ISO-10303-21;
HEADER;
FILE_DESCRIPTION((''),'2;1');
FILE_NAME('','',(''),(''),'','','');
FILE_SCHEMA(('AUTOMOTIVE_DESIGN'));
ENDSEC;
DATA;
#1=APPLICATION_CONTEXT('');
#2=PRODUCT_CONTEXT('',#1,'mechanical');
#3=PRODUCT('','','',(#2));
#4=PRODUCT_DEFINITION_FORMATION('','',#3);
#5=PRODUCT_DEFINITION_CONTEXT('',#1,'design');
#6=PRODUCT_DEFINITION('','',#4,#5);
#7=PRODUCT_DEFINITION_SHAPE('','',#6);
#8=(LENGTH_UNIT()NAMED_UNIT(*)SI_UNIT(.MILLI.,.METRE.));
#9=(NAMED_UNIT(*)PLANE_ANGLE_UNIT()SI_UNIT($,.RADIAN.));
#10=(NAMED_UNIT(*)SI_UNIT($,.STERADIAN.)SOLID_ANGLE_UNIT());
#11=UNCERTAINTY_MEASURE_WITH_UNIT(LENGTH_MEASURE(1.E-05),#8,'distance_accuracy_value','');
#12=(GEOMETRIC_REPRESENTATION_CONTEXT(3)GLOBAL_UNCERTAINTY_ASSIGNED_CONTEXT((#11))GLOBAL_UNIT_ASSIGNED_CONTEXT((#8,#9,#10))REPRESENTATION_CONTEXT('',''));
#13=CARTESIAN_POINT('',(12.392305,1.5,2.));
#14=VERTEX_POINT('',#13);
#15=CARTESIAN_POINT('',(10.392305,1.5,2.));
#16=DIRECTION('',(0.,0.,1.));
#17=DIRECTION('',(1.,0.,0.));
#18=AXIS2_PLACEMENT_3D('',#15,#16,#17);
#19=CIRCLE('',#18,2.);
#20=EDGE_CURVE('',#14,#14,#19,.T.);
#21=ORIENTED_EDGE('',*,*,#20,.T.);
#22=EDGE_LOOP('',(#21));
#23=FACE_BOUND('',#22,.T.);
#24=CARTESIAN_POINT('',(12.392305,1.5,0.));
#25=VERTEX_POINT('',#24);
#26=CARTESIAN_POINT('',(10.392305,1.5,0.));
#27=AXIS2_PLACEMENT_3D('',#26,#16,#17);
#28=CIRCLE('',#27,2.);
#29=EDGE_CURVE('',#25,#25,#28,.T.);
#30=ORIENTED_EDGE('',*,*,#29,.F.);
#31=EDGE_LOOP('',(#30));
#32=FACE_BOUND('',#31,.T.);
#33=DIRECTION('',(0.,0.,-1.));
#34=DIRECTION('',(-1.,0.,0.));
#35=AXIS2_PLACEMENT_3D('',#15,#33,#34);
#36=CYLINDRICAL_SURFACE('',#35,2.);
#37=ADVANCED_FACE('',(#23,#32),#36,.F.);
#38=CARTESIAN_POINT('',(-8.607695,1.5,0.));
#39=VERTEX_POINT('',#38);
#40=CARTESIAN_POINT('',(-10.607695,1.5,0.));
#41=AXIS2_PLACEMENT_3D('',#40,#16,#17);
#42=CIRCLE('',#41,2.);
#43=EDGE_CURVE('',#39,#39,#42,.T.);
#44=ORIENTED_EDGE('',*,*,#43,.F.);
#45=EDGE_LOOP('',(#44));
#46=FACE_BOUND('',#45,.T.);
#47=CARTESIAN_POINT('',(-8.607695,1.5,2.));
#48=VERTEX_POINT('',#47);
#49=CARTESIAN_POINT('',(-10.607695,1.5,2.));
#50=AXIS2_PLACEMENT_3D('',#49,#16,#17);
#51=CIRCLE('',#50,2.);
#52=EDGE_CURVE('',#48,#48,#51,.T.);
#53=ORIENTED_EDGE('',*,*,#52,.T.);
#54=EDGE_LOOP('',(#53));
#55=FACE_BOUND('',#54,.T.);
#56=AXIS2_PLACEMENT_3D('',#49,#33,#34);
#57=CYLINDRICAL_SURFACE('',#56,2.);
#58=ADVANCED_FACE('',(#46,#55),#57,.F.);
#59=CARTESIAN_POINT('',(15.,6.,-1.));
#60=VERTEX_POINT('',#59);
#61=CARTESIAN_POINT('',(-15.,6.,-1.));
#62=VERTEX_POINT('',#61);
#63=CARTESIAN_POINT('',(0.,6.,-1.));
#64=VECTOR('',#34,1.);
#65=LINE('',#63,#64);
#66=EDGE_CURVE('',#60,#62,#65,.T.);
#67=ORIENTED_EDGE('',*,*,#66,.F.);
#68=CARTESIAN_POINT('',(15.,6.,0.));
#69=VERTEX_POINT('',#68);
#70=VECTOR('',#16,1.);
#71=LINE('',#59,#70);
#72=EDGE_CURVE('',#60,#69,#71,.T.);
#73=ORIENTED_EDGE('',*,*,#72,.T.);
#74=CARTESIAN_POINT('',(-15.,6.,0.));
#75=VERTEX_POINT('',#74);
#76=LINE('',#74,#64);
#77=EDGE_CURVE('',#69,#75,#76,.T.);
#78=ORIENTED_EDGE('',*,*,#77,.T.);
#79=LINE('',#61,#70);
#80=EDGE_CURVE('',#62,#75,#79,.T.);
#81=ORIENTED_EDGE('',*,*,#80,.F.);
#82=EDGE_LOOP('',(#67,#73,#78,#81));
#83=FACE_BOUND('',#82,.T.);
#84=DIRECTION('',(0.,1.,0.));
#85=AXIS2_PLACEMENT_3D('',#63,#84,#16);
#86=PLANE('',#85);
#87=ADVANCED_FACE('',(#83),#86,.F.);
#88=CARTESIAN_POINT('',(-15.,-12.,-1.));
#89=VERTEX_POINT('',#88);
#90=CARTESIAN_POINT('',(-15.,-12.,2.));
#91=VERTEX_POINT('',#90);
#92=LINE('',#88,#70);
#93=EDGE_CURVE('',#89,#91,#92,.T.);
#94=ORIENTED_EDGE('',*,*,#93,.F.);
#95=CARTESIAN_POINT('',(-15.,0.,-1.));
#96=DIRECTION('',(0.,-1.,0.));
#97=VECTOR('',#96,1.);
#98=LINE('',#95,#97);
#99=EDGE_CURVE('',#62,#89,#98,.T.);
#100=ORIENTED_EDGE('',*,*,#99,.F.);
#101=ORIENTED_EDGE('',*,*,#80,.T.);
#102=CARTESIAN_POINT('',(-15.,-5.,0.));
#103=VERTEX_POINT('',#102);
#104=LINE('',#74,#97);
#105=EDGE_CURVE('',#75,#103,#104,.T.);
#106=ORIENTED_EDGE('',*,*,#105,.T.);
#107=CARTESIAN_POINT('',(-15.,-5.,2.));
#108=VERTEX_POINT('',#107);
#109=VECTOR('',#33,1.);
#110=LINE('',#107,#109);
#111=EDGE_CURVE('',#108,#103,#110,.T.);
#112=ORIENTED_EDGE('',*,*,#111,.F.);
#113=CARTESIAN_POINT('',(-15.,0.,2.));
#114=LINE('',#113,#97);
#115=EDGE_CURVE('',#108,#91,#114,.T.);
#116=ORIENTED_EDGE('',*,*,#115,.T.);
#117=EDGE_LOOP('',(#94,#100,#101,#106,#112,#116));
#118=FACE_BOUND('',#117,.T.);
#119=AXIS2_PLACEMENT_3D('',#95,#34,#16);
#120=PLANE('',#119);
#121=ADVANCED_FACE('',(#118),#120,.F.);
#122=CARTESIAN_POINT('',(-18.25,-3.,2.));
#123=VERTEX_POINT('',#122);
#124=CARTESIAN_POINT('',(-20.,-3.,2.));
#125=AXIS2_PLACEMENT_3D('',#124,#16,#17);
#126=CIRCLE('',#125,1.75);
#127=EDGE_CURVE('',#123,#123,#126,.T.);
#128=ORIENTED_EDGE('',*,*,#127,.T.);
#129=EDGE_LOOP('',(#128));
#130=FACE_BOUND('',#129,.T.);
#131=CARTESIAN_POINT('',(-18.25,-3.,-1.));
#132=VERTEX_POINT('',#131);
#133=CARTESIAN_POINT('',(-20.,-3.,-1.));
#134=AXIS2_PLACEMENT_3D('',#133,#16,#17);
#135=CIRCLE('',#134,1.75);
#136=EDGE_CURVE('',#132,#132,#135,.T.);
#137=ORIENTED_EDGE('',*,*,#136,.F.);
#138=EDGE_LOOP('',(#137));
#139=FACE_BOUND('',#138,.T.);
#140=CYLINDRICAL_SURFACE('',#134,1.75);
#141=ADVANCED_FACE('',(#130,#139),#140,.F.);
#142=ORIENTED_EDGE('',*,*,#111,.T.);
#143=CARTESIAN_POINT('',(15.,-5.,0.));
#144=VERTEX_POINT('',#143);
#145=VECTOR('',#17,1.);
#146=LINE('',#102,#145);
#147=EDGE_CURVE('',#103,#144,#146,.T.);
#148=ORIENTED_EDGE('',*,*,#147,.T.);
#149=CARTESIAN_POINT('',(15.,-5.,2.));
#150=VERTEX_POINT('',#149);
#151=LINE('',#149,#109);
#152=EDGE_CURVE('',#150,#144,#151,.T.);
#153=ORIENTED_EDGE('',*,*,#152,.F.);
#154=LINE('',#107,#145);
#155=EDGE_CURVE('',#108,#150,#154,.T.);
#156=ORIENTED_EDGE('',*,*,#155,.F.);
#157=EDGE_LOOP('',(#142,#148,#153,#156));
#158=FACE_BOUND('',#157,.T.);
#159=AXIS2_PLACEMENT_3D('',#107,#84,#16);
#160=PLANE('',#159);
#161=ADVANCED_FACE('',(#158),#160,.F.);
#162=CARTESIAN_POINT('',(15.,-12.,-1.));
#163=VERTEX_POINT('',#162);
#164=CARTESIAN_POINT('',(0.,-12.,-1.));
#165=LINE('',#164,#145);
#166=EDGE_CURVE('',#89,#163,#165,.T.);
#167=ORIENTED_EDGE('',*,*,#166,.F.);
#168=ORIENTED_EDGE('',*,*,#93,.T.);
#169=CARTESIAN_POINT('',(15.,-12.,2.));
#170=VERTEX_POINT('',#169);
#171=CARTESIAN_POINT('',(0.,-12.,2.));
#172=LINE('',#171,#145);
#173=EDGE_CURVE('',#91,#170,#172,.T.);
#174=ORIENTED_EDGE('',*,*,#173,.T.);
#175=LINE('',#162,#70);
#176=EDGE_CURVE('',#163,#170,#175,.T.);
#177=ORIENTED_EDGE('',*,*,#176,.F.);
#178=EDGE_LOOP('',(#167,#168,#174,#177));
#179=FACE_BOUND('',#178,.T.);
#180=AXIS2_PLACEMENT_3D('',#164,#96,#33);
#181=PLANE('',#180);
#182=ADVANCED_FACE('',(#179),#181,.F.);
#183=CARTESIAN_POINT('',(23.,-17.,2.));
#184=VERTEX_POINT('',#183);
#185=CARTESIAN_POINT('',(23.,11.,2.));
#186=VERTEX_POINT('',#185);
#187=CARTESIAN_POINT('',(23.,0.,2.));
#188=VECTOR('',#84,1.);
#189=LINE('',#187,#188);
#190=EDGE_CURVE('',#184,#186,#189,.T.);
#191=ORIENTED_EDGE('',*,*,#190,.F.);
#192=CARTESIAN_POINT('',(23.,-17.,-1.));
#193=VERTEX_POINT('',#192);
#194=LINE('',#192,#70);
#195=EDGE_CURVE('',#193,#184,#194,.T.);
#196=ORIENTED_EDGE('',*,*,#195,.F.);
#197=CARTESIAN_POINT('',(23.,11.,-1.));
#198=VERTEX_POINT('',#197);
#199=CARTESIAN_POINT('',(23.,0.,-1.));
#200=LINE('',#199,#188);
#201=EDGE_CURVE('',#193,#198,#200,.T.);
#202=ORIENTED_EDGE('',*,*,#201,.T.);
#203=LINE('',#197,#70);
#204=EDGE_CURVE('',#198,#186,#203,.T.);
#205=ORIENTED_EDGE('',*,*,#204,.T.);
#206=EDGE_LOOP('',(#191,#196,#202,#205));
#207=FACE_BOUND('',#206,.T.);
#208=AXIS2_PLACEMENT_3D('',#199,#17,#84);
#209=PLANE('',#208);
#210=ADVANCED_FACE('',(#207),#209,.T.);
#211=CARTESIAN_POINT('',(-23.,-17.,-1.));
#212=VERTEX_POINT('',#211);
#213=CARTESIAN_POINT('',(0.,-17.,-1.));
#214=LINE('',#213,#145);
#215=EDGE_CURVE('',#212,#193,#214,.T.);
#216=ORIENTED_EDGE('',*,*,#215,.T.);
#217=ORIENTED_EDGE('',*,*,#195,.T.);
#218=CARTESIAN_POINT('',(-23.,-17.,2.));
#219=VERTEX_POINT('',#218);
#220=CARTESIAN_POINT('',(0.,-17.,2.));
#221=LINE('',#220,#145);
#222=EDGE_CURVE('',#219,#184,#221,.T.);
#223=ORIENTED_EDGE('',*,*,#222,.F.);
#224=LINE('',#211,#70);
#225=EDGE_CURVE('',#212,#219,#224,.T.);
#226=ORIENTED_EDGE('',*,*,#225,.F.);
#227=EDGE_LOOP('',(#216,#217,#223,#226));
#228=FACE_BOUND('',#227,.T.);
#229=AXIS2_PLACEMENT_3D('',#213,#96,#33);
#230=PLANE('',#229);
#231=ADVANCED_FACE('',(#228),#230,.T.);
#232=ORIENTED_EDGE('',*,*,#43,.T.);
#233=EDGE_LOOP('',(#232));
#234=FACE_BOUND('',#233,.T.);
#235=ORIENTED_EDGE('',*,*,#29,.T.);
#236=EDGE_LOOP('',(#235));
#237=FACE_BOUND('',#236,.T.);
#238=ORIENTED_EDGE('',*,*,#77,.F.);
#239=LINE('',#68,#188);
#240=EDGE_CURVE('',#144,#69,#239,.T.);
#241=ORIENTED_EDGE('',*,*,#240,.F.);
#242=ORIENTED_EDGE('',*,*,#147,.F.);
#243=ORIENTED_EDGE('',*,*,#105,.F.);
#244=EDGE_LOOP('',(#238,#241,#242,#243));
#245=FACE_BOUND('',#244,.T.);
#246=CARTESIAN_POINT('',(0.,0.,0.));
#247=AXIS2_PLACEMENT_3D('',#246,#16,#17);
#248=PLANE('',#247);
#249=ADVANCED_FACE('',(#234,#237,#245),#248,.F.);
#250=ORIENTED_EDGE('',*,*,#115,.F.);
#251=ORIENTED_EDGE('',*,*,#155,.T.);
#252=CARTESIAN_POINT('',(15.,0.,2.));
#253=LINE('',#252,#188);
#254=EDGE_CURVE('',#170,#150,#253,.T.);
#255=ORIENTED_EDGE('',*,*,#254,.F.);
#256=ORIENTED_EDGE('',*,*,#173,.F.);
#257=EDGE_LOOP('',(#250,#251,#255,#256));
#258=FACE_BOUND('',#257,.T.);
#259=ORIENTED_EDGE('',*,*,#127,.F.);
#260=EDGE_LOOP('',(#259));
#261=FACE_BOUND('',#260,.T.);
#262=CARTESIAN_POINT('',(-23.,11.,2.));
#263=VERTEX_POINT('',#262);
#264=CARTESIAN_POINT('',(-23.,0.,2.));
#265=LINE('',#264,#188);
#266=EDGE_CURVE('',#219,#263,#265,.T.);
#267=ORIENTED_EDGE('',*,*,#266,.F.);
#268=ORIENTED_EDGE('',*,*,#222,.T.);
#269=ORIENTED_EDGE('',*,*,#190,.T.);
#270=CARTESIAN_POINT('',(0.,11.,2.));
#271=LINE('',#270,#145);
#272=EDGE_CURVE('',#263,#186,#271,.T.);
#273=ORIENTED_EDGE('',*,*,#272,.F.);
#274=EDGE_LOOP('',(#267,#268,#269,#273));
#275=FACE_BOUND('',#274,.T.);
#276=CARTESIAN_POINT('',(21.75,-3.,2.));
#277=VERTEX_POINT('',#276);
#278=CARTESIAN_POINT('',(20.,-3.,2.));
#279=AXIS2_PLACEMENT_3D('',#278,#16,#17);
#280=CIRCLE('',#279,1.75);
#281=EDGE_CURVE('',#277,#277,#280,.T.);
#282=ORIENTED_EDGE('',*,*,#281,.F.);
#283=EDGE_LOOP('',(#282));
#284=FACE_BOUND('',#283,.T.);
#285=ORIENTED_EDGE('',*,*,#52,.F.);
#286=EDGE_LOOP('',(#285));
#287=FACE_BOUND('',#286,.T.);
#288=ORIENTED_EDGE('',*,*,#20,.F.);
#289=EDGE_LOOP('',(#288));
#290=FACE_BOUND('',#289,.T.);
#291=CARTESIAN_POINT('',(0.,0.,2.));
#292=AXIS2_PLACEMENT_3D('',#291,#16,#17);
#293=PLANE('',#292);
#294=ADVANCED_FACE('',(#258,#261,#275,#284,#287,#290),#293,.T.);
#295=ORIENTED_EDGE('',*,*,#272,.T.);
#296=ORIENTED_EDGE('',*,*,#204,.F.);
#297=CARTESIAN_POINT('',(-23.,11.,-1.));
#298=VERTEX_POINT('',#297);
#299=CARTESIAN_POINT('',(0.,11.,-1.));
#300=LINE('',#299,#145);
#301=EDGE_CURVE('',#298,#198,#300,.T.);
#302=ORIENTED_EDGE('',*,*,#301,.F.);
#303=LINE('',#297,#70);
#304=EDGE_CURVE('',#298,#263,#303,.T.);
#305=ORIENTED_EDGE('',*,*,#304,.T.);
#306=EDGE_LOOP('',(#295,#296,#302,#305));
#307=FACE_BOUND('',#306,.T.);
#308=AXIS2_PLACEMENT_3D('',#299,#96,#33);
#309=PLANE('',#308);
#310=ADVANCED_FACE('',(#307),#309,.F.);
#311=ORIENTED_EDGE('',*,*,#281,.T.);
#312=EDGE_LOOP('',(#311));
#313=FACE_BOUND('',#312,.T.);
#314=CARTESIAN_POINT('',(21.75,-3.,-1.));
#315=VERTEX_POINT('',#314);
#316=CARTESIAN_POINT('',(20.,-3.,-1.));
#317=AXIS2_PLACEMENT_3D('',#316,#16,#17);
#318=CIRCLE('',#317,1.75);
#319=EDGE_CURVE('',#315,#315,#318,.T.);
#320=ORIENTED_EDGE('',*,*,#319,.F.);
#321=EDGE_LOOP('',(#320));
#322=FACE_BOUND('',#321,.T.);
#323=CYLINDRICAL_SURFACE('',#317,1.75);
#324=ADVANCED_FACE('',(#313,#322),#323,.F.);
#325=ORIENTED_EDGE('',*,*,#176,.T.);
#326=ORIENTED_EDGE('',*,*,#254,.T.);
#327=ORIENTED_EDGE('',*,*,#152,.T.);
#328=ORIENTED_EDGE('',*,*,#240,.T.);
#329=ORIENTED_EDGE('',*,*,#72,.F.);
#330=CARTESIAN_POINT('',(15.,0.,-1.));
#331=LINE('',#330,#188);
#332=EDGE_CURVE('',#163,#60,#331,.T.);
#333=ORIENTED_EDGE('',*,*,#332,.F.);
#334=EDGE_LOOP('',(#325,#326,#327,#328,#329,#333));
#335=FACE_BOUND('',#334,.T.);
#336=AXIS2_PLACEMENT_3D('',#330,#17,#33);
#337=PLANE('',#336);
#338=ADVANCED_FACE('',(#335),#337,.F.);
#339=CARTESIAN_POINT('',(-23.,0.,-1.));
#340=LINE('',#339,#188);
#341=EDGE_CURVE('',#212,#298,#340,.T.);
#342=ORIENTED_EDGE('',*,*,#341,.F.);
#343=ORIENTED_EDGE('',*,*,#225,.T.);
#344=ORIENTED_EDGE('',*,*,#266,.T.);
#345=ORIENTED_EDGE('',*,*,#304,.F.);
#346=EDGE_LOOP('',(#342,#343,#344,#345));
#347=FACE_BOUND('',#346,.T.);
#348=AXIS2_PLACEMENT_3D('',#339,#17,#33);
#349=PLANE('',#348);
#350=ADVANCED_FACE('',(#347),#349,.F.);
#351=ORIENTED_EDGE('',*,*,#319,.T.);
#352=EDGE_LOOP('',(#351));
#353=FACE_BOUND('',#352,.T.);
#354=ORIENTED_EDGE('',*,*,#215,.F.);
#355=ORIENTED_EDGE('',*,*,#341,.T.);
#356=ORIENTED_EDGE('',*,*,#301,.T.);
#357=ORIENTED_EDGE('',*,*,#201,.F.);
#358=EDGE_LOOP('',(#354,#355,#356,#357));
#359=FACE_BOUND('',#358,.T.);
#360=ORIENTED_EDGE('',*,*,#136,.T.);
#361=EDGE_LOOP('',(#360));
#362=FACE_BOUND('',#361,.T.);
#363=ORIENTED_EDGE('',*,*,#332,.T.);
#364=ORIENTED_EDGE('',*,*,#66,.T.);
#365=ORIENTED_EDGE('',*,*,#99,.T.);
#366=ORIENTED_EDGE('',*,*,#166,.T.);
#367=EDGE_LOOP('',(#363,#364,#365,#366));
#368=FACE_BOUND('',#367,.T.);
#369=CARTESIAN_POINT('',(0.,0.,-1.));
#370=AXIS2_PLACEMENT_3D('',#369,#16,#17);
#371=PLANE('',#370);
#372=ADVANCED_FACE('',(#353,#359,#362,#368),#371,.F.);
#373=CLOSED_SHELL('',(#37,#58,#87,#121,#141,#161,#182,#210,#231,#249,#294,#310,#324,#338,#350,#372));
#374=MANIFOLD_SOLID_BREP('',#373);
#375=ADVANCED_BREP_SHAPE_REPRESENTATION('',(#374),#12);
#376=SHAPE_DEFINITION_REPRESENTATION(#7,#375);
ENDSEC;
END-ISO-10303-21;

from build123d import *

# Parameters (mm, degrees)
CROQUIS1_W          = 30
CROQUIS1_H          = 11
CROQUIS1_R          = 2
UNION_IMU_DEPTH     = 2
CROQUIS2_R          = 1.75
UNION_CARCASA_DEPTH = 3


with BuildPart() as part:
    # Croquis1 → union-imu (new body)
    with BuildSketch(Plane.XY):
        with Locations((0, 0.5)):
            Rectangle(CROQUIS1_W, CROQUIS1_H)
        with Locations((-10.607695155, 1.5)):
            Circle(CROQUIS1_R, mode=Mode.SUBTRACT)
        with Locations((10.392304845, 1.5)):
            Circle(CROQUIS1_R, mode=Mode.SUBTRACT)
    extrude(amount=UNION_IMU_DEPTH)

    # Croquis2 → union-carcasa (add)
    with BuildSketch(Plane.XY.offset(2)):
        Polygon((-23, -17), (23, -17), (23, -4), (23, 11), (-23, 11), (-23, -4), align=None)
        with Locations((20, -3)):
            Circle(CROQUIS2_R, mode=Mode.SUBTRACT)
        with Locations((-20, -3)):
            Circle(CROQUIS2_R, mode=Mode.SUBTRACT)
        Polygon((15, -12), (15, -5), (15, 6), (-15, 6), (-15, -5), (-15, -12), align=None, mode=Mode.SUBTRACT)
    extrude(amount=-UNION_CARCASA_DEPTH)


solid = part.part
